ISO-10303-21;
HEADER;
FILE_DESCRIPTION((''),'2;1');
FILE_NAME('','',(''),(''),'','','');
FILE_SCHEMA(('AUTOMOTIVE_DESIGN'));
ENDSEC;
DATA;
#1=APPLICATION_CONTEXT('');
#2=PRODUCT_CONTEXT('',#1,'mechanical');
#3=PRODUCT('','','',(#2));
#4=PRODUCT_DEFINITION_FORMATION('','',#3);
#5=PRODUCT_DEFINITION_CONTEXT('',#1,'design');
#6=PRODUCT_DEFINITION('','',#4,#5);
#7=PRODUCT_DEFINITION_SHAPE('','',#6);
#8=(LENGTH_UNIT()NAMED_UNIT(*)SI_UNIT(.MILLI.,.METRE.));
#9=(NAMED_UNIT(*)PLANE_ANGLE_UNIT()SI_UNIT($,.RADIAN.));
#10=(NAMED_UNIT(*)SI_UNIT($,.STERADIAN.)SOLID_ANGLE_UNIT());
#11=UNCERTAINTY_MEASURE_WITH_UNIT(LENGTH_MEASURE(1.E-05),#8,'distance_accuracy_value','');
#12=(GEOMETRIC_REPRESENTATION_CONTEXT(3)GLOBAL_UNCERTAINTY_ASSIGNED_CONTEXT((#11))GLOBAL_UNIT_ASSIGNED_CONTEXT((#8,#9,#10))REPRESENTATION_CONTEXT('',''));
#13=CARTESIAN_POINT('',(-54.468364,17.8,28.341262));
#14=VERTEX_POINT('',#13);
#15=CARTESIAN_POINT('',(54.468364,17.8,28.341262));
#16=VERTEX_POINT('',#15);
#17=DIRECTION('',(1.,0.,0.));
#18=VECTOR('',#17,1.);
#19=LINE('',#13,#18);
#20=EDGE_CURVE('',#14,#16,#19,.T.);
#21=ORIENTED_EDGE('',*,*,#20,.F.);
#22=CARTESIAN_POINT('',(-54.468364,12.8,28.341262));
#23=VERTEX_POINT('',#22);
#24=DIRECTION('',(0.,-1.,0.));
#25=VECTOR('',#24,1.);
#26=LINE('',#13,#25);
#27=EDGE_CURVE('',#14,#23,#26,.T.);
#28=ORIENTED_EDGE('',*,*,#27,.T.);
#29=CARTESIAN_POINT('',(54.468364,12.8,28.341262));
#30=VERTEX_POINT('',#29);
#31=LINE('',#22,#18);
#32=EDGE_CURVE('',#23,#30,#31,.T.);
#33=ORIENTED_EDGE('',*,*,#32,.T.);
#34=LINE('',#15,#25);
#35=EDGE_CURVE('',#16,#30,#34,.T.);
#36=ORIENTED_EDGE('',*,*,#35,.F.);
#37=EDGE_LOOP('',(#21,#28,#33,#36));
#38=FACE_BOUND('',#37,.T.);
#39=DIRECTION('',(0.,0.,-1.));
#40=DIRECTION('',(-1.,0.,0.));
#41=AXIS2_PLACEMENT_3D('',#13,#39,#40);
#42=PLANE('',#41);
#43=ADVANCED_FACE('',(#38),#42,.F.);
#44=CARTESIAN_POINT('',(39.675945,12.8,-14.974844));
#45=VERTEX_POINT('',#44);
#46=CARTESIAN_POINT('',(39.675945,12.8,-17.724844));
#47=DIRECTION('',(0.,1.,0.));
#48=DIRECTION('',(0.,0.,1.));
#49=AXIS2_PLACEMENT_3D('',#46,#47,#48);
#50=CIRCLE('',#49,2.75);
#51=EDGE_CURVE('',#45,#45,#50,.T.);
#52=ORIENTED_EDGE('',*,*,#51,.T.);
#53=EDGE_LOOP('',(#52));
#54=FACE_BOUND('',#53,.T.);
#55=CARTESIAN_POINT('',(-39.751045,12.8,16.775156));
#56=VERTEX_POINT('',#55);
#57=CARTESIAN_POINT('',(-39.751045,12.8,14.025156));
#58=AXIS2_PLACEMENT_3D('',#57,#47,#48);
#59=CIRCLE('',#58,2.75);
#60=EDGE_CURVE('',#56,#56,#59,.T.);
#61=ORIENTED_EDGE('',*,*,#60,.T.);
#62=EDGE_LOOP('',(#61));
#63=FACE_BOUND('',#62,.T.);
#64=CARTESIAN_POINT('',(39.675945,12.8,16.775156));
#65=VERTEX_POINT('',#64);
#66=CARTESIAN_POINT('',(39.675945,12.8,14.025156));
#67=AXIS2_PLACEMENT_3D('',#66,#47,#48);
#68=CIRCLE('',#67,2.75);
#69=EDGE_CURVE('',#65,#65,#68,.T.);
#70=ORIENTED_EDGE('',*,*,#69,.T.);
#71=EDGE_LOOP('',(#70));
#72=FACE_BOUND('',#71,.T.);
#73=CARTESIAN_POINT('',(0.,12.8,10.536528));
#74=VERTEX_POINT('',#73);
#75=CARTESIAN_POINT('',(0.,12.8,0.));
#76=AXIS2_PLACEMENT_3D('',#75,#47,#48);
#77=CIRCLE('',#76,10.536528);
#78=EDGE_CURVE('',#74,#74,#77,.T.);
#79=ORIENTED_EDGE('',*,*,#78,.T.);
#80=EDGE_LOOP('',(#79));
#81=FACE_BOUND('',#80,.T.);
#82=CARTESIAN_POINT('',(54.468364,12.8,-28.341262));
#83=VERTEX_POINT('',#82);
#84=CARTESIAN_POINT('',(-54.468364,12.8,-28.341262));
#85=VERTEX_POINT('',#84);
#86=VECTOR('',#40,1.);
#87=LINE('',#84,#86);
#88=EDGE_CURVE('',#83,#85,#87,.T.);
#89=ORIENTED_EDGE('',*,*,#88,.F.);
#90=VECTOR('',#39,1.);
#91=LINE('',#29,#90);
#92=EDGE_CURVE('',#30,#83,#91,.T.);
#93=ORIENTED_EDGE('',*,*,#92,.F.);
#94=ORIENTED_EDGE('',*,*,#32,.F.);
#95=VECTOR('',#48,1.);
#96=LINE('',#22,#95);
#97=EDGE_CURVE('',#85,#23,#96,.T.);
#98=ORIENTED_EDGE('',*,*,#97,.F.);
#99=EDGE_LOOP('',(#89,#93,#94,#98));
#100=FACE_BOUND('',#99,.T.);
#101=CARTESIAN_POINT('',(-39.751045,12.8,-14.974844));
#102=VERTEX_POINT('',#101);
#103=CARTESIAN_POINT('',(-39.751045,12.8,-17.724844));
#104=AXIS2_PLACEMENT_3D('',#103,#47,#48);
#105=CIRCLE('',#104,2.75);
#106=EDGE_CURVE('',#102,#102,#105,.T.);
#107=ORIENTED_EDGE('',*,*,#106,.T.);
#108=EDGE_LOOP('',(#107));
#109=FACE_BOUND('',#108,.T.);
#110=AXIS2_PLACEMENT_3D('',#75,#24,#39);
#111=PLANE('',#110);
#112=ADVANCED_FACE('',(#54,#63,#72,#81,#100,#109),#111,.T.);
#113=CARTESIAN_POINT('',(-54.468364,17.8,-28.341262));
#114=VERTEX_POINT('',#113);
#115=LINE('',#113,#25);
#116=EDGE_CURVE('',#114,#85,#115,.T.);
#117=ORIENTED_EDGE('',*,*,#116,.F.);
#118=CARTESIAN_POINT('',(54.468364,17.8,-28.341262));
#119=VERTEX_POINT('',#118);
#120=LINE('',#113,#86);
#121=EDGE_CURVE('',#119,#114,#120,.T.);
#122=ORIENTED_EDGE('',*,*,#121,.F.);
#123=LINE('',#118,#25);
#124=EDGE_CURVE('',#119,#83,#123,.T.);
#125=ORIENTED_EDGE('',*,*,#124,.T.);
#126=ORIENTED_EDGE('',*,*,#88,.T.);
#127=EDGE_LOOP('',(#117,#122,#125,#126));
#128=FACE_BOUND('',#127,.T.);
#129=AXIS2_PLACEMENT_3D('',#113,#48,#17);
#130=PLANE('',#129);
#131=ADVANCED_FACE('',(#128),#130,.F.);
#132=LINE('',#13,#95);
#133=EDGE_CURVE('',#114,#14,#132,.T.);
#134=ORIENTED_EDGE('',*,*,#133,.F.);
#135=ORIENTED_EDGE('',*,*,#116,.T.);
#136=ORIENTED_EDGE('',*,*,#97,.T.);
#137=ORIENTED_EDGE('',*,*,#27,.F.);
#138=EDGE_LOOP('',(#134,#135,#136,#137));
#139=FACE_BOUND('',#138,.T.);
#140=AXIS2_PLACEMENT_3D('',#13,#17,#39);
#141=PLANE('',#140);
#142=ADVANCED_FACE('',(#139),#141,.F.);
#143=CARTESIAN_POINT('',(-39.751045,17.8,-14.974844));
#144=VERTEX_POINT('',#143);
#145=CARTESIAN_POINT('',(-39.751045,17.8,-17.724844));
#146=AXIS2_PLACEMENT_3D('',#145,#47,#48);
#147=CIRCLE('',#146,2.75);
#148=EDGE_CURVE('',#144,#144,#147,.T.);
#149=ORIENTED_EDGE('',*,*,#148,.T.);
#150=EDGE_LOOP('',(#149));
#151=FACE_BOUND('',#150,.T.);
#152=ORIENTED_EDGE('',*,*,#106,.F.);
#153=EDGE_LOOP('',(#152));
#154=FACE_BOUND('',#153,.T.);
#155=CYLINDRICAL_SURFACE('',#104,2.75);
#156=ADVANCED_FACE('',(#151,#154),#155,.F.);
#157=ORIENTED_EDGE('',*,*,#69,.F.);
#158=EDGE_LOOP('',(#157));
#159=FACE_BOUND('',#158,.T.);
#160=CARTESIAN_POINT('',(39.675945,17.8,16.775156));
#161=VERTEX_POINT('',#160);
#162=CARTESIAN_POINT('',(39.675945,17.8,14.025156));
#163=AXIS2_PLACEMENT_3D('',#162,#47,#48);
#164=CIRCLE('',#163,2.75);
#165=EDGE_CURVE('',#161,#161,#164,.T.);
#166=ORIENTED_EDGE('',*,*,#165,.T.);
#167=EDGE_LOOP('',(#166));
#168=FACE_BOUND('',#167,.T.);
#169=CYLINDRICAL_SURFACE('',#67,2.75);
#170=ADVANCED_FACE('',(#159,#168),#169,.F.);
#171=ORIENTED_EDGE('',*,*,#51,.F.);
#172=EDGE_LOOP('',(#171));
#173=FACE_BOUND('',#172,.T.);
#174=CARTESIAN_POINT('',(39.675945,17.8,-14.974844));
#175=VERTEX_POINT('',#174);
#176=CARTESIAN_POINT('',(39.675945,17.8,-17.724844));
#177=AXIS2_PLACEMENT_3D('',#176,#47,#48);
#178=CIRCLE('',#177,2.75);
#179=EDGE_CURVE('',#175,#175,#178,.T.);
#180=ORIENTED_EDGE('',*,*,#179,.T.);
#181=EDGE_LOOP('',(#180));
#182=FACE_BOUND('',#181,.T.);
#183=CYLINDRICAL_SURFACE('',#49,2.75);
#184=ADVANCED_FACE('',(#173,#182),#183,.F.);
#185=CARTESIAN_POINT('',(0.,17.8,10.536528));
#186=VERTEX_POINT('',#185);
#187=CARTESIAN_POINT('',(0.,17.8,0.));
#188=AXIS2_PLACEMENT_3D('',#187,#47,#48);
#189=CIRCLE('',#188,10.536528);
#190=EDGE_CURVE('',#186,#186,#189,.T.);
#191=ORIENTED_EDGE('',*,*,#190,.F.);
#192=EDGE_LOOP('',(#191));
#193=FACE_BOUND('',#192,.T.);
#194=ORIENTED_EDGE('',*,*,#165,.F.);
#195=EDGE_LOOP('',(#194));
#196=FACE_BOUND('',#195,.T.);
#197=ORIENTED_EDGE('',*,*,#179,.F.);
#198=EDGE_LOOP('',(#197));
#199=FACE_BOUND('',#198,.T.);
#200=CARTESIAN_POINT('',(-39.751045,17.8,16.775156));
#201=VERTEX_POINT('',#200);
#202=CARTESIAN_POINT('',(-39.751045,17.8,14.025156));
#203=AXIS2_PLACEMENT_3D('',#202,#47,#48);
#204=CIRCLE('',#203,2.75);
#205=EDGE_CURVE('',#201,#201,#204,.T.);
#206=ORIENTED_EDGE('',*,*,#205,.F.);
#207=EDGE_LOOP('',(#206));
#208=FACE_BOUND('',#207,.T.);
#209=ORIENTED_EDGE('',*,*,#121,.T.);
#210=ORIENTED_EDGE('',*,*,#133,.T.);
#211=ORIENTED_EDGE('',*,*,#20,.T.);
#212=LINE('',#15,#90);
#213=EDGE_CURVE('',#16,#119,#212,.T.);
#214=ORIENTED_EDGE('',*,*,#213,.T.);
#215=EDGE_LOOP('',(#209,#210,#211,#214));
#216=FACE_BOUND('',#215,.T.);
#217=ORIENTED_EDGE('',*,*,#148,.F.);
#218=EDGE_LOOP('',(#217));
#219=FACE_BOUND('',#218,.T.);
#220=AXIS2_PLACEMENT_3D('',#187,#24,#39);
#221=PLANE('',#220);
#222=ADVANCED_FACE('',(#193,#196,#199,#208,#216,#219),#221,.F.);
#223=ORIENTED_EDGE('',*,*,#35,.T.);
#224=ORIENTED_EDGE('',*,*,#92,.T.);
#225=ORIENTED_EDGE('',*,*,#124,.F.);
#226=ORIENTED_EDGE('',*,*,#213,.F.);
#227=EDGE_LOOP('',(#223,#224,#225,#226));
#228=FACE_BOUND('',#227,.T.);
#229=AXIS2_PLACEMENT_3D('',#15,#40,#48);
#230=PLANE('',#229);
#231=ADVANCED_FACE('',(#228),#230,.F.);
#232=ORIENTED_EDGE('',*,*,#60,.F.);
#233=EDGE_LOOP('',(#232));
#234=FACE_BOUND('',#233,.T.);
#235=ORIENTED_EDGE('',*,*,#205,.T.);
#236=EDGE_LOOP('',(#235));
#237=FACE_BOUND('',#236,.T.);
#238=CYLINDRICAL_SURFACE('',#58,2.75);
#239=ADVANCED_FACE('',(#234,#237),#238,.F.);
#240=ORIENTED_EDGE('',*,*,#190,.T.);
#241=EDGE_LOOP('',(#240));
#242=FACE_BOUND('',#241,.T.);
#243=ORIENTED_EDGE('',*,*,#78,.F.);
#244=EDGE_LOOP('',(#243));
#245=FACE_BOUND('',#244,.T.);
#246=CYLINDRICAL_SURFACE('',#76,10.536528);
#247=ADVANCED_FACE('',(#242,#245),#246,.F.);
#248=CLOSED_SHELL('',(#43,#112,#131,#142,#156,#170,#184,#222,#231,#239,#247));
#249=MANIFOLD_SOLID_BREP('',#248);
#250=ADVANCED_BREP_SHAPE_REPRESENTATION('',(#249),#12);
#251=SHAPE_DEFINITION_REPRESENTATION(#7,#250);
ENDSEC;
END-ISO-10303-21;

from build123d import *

# Parameters (mm, degrees)
SKETCH5_W           = 108.936727432
SKETCH5_H           = 56.682524842
BOSS_EXTRUDE2_DEPTH = 5
SKETCH7_R           = 2.75
CUT_EXTRUDE3_DEPTH  = 5
SKETCH8_R           = 10.536528042
CUT_EXTRUDE4_DEPTH  = 5


with BuildPart() as part:
    # Sketch5 → Boss-Extrude2 (new body)
    with BuildSketch(Plane(origin=(0, 12.8, 0), x_dir=(1, 0, 0), z_dir=(0, 1, 0))):
        Rectangle(SKETCH5_W, SKETCH5_H)
    extrude(amount=BOSS_EXTRUDE2_DEPTH)

    # Sketch7 → Cut-Extrude3 (cut)
    with BuildSketch(Plane(origin=(0, 17.8, 0), x_dir=(1, 0, 0), z_dir=(0, 1, 0))):
        with Locations(Location((-39.751045376, 17.724843824, 0), (0, 0, 270))):
            Circle(SKETCH7_R)
        with Locations(Location((-39.751045376, -14.025156176, 0), (0, 0, 270))):
            Circle(SKETCH7_R)
        with Locations(Location((39.675944836, -14.025156176, 0), (0, 0, 270))):
            Circle(SKETCH7_R)
        with Locations(Location((39.675944836, 17.724843824, 0), (0, 0, 270))):
            Circle(SKETCH7_R)
    extrude(amount=-CUT_EXTRUDE3_DEPTH, mode=Mode.SUBTRACT)

    # Sketch8 → Cut-Extrude4 (cut)
    with BuildSketch(Plane(origin=(0, 17.8, 0), x_dir=(1, 0, 0), z_dir=(0, 1, 0))):
        with Locations(Location((0, 0, 0), (0, 0, 270))):
            Circle(SKETCH8_R)
    extrude(amount=-CUT_EXTRUDE4_DEPTH, mode=Mode.SUBTRACT)


solid = part.part
